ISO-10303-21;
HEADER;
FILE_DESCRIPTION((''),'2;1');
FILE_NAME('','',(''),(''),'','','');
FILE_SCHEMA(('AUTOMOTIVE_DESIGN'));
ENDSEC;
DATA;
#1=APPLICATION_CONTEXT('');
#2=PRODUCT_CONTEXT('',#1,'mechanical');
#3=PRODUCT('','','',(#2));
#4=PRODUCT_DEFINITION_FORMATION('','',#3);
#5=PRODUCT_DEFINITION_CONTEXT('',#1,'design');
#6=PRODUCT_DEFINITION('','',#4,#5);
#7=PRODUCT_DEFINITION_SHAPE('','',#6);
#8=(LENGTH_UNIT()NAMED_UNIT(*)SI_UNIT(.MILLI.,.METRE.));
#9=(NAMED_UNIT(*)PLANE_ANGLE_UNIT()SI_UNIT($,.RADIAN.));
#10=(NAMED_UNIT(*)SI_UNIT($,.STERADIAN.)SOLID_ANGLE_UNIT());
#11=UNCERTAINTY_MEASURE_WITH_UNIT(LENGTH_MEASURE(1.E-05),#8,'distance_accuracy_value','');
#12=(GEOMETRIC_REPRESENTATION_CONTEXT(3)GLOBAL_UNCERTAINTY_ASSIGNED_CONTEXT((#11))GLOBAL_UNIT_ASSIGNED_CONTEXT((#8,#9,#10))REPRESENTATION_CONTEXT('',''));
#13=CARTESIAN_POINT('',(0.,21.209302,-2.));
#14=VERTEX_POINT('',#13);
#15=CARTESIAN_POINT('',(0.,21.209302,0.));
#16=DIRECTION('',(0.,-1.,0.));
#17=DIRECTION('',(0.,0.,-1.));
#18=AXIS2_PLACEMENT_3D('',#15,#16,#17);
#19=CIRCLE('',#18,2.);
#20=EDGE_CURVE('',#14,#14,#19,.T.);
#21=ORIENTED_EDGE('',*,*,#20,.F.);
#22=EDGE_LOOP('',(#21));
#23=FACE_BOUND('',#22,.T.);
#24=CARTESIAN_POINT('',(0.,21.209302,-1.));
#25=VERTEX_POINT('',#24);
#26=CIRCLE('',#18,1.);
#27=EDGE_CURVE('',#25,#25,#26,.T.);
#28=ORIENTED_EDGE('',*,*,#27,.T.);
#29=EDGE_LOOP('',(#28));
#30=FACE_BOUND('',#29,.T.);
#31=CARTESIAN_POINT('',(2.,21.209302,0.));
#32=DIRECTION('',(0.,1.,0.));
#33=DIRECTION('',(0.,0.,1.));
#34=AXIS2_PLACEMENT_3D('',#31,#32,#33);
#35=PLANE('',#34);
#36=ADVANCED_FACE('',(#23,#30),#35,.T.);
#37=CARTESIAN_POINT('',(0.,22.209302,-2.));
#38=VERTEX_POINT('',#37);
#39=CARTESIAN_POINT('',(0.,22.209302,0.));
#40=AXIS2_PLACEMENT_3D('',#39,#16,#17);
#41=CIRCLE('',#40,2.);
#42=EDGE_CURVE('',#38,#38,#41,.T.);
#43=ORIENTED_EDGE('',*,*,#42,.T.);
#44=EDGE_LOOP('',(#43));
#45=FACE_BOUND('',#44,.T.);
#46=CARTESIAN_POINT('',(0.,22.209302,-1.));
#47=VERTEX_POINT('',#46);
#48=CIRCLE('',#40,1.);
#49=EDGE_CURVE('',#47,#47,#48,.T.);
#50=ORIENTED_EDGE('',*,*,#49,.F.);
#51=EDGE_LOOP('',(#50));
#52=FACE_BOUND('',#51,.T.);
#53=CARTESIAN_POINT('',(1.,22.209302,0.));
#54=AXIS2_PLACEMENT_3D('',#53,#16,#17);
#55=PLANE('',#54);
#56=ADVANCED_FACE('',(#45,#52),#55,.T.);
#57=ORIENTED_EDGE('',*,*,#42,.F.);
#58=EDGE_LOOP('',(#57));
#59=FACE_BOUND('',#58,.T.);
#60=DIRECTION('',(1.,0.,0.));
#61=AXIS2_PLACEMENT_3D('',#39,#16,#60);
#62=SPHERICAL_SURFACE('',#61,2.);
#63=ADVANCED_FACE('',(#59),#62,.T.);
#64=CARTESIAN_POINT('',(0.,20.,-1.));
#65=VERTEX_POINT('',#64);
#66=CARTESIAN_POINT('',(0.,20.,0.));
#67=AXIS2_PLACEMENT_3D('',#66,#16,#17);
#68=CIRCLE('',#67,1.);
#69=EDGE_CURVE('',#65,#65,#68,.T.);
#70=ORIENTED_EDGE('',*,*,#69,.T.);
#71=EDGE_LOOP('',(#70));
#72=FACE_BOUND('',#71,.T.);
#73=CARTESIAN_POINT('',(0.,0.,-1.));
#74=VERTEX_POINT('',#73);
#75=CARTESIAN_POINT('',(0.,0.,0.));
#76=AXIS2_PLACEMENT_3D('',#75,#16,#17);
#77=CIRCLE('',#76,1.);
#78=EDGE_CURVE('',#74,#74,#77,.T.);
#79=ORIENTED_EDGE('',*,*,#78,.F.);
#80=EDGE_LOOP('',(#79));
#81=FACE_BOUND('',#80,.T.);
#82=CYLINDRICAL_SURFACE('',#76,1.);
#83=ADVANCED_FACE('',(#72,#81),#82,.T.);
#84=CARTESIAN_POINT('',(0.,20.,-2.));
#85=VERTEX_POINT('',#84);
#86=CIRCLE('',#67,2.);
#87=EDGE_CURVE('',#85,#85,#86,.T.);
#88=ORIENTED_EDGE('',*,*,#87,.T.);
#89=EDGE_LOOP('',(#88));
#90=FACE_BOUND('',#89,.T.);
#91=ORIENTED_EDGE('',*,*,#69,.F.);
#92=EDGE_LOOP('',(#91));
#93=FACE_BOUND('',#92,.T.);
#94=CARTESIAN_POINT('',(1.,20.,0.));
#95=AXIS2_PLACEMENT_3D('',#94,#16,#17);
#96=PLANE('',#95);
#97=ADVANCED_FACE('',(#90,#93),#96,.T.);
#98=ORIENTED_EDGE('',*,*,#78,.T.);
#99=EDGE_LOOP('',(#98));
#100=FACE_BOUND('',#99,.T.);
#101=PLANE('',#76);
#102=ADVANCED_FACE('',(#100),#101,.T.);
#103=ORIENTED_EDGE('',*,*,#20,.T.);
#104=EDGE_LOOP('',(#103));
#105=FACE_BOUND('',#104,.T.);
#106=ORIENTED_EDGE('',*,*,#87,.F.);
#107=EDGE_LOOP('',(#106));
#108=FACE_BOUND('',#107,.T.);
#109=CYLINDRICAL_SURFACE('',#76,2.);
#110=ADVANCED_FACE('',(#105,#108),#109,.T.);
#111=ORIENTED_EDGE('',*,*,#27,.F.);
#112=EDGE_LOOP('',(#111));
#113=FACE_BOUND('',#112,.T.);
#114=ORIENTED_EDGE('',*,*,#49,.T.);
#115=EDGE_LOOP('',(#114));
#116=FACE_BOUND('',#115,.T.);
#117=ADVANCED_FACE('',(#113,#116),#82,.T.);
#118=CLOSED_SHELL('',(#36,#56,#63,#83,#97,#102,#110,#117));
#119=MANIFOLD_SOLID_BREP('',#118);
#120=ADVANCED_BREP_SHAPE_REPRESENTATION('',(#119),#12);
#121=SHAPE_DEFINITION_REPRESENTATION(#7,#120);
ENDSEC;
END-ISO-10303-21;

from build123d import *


with BuildPart() as part:
    # Sketch1 → Screw Revolve (revolve)
    with BuildSketch(Plane.XY, mode=Mode.PRIVATE) as screw_revolve_sk:
        with BuildLine():
            Line((0, 0), (1, 0))
            Line((1, 0), (1, 20))
            Line((1, 20), (2, 20))
            Line((2, 20), (2, 21.209302326))
            Line((2, 21.209302326), (1, 21.209302326))
            Line((1, 21.209302326), (1, 22.209302326))
            Line((1, 22.209302326), (2, 22.209302326))
            ThreePointArc((2, 22.209302326), (1.414213562, 23.623515888), (0, 24.209302326))
            Line((0, 24.209302326), (0, 0))
        make_face()
    revolve(screw_revolve_sk.sketch.rotate(Axis((0, 0, 0), (0, 1, 0)), 90), axis=Axis((0, 0, 0), (0, 1, 0)))


solid = part.part
